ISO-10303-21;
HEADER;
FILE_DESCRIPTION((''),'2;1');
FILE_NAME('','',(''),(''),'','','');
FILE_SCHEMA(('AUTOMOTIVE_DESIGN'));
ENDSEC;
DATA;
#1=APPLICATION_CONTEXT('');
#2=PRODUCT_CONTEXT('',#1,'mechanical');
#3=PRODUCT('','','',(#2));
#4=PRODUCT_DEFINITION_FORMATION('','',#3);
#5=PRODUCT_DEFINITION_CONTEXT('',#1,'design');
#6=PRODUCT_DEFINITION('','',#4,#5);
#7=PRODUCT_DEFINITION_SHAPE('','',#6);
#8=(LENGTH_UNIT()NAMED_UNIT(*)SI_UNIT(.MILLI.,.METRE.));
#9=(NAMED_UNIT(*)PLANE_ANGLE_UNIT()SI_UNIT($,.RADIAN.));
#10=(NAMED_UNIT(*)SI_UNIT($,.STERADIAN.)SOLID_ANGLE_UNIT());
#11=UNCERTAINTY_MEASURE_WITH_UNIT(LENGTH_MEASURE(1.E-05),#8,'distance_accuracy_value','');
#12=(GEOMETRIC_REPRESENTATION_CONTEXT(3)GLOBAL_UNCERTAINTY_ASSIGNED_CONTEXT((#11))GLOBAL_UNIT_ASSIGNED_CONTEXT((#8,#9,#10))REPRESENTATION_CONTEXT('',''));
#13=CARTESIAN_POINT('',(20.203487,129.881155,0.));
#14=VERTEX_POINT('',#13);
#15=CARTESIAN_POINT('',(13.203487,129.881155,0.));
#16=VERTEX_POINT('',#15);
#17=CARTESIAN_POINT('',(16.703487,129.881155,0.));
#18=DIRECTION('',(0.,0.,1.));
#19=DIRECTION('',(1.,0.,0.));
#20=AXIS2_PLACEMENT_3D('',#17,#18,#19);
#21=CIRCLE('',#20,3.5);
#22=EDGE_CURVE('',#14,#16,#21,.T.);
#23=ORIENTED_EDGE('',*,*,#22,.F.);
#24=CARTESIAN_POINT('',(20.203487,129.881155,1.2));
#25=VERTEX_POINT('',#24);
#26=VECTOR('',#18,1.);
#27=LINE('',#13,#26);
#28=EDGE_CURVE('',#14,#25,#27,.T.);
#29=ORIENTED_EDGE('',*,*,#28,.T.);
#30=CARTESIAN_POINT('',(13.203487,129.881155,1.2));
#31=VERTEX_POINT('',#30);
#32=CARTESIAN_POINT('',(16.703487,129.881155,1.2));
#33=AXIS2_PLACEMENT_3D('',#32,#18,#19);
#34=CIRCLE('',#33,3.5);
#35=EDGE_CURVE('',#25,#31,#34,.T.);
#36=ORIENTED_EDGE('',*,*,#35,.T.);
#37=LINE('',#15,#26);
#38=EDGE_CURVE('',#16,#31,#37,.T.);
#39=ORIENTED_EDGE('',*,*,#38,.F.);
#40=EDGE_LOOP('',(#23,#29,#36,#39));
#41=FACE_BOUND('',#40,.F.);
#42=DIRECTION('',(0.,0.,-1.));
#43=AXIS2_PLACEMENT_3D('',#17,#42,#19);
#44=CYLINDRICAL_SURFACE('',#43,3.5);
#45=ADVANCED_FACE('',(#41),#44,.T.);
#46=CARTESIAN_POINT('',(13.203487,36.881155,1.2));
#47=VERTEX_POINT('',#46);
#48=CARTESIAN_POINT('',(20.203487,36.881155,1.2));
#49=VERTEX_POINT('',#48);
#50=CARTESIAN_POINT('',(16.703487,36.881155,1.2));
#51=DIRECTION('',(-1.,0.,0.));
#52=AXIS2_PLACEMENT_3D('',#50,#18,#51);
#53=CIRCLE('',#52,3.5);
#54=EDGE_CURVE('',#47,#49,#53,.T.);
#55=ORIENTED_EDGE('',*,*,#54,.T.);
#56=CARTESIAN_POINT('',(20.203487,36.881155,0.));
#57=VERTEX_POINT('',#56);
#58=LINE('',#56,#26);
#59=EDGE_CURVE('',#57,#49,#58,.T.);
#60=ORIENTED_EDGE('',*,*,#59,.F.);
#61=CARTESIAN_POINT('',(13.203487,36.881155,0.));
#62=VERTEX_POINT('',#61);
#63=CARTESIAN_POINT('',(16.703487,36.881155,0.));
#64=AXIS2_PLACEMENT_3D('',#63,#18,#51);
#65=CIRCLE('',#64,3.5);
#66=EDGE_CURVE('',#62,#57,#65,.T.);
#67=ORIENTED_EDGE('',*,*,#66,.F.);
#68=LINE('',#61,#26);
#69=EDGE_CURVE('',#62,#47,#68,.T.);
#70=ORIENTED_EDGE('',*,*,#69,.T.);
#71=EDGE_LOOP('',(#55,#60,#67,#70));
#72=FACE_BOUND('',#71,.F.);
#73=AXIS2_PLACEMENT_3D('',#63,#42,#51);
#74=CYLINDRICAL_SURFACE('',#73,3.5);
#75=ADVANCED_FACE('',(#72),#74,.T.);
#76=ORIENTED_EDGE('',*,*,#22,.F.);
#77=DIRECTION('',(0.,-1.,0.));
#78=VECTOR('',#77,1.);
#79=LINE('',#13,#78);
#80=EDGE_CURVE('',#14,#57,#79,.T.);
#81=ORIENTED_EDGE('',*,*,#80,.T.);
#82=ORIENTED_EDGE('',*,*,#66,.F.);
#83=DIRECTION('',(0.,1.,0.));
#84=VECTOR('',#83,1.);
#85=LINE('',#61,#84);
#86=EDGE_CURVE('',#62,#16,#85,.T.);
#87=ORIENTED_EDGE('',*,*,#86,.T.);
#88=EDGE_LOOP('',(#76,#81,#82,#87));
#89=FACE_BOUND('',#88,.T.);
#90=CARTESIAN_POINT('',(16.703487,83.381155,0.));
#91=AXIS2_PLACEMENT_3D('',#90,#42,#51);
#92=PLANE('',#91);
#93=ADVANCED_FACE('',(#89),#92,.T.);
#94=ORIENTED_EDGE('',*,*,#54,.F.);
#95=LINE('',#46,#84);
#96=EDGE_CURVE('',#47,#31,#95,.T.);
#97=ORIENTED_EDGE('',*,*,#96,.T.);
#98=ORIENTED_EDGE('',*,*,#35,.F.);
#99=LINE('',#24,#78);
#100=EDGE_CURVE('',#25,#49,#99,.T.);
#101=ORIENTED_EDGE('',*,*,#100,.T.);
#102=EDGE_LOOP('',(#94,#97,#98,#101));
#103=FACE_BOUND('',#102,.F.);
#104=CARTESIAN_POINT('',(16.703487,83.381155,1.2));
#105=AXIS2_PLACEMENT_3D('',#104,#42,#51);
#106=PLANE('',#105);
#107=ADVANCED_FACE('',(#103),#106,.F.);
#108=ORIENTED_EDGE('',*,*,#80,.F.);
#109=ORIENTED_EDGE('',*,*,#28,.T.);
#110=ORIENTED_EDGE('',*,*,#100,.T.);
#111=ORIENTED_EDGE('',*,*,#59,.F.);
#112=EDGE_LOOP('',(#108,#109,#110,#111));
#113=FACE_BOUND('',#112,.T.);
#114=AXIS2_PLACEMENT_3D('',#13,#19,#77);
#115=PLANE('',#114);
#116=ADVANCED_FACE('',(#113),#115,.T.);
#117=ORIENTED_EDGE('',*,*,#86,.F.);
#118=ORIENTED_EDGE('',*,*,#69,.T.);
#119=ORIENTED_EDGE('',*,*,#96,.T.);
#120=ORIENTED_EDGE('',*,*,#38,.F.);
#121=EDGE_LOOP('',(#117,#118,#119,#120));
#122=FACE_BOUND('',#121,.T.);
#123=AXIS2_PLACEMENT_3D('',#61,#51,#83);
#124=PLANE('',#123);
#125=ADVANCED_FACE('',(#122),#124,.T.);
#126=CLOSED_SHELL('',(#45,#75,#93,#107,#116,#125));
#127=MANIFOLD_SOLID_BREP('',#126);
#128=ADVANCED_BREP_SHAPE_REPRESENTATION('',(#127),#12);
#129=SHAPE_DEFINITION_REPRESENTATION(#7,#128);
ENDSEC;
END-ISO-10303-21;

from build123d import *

# Parameters (mm, degrees)
EXTRUDE_DEPTH = 1.2


with BuildPart() as part:
    # Sketch → Extrude (new body)
    with BuildSketch(Plane.XY):
        with BuildLine():
            Line((20.203487, 129.881155), (20.203487, 36.881155))
            ThreePointArc((13.203487, 36.881155), (16.703487, 33.381155), (20.203487, 36.881155))
            Line((13.203487, 36.881155), (13.203487, 129.881155))
            ThreePointArc((20.203487, 129.881155), (16.703487, 133.381155), (13.203487, 129.881155))
        make_face()
    extrude(amount=EXTRUDE_DEPTH)


solid = part.part
